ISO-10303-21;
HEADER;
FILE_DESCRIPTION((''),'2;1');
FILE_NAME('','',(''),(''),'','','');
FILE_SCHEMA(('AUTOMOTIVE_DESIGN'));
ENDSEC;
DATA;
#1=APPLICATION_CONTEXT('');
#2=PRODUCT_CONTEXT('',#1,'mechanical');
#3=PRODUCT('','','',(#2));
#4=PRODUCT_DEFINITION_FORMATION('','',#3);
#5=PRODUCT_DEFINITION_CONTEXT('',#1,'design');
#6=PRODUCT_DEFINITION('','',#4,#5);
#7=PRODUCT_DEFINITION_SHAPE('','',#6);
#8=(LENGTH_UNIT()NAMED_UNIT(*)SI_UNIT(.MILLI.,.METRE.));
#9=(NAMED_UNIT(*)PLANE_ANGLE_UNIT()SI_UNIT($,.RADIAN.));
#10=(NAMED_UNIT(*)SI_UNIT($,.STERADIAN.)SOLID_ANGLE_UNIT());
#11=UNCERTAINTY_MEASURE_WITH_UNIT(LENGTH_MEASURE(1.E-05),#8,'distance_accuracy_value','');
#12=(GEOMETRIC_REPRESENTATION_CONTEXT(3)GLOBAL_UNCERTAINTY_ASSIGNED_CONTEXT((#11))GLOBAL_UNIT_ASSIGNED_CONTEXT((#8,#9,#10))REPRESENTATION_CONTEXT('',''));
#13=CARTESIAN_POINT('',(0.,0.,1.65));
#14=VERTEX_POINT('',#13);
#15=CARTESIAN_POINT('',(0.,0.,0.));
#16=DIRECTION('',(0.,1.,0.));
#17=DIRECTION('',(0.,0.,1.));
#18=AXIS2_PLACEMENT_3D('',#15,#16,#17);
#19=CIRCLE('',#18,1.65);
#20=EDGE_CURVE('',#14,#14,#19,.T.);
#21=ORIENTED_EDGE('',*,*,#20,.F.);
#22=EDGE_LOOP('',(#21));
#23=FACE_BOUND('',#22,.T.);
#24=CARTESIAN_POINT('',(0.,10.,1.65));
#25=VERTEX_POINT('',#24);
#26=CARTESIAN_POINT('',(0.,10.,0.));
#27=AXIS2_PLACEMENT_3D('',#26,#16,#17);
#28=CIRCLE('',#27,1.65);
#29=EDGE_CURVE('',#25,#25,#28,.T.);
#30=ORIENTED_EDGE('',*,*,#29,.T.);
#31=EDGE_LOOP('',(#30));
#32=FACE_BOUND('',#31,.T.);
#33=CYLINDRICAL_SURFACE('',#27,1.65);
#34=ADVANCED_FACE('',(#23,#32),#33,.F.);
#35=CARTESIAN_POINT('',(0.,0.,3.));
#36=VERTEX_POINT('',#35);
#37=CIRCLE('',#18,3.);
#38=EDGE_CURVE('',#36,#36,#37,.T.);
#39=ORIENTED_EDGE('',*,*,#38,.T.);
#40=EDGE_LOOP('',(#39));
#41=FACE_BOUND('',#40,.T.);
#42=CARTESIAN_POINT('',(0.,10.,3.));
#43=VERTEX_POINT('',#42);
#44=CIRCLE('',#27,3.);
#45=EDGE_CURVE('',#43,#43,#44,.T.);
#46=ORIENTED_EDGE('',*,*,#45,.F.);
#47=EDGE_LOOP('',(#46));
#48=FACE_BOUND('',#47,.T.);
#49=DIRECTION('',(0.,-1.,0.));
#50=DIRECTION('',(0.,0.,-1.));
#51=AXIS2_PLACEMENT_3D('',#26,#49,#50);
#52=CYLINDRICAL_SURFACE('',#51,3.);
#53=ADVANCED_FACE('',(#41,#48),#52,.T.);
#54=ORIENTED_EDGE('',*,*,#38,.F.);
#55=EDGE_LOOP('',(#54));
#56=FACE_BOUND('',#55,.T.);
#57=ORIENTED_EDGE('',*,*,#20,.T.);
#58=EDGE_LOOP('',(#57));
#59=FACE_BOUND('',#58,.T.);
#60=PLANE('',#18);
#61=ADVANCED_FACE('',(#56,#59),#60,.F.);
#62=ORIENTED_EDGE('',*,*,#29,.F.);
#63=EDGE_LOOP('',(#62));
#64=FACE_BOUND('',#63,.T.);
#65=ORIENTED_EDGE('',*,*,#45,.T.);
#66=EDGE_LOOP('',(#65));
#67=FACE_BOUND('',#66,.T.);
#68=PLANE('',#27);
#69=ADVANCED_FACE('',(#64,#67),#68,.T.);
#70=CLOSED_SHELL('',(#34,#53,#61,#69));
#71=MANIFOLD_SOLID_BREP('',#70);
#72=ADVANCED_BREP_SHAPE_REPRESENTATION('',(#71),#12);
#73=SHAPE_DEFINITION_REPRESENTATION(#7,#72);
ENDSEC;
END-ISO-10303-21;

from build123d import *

# Parameters (mm, degrees)
SKETCH1_R             = 3
BOSS_EXTRUDE1_DEPTH   = 10
M4X0_7_TAPPED_HOLE1_D = 3.3


with BuildPart() as part:
    # Sketch1 → Boss-Extrude1 (new body)
    with BuildSketch(Plane(origin=(0, 0, 0), x_dir=(1, 0, 0), z_dir=(0, 1, 0))):
        with Locations(Location((0, 0, 0), (0, 0, 270))):
            Circle(SKETCH1_R)
    extrude(amount=BOSS_EXTRUDE1_DEPTH)

    # M4x0.7 Tapped Hole1 (through all)
    with Locations(Plane(origin=(0, 10, 0), x_dir=(1, 0, 0), z_dir=(0, 1, 0))):
        with Locations((0, 0)):
            Hole(M4X0_7_TAPPED_HOLE1_D / 2)


solid = part.part
